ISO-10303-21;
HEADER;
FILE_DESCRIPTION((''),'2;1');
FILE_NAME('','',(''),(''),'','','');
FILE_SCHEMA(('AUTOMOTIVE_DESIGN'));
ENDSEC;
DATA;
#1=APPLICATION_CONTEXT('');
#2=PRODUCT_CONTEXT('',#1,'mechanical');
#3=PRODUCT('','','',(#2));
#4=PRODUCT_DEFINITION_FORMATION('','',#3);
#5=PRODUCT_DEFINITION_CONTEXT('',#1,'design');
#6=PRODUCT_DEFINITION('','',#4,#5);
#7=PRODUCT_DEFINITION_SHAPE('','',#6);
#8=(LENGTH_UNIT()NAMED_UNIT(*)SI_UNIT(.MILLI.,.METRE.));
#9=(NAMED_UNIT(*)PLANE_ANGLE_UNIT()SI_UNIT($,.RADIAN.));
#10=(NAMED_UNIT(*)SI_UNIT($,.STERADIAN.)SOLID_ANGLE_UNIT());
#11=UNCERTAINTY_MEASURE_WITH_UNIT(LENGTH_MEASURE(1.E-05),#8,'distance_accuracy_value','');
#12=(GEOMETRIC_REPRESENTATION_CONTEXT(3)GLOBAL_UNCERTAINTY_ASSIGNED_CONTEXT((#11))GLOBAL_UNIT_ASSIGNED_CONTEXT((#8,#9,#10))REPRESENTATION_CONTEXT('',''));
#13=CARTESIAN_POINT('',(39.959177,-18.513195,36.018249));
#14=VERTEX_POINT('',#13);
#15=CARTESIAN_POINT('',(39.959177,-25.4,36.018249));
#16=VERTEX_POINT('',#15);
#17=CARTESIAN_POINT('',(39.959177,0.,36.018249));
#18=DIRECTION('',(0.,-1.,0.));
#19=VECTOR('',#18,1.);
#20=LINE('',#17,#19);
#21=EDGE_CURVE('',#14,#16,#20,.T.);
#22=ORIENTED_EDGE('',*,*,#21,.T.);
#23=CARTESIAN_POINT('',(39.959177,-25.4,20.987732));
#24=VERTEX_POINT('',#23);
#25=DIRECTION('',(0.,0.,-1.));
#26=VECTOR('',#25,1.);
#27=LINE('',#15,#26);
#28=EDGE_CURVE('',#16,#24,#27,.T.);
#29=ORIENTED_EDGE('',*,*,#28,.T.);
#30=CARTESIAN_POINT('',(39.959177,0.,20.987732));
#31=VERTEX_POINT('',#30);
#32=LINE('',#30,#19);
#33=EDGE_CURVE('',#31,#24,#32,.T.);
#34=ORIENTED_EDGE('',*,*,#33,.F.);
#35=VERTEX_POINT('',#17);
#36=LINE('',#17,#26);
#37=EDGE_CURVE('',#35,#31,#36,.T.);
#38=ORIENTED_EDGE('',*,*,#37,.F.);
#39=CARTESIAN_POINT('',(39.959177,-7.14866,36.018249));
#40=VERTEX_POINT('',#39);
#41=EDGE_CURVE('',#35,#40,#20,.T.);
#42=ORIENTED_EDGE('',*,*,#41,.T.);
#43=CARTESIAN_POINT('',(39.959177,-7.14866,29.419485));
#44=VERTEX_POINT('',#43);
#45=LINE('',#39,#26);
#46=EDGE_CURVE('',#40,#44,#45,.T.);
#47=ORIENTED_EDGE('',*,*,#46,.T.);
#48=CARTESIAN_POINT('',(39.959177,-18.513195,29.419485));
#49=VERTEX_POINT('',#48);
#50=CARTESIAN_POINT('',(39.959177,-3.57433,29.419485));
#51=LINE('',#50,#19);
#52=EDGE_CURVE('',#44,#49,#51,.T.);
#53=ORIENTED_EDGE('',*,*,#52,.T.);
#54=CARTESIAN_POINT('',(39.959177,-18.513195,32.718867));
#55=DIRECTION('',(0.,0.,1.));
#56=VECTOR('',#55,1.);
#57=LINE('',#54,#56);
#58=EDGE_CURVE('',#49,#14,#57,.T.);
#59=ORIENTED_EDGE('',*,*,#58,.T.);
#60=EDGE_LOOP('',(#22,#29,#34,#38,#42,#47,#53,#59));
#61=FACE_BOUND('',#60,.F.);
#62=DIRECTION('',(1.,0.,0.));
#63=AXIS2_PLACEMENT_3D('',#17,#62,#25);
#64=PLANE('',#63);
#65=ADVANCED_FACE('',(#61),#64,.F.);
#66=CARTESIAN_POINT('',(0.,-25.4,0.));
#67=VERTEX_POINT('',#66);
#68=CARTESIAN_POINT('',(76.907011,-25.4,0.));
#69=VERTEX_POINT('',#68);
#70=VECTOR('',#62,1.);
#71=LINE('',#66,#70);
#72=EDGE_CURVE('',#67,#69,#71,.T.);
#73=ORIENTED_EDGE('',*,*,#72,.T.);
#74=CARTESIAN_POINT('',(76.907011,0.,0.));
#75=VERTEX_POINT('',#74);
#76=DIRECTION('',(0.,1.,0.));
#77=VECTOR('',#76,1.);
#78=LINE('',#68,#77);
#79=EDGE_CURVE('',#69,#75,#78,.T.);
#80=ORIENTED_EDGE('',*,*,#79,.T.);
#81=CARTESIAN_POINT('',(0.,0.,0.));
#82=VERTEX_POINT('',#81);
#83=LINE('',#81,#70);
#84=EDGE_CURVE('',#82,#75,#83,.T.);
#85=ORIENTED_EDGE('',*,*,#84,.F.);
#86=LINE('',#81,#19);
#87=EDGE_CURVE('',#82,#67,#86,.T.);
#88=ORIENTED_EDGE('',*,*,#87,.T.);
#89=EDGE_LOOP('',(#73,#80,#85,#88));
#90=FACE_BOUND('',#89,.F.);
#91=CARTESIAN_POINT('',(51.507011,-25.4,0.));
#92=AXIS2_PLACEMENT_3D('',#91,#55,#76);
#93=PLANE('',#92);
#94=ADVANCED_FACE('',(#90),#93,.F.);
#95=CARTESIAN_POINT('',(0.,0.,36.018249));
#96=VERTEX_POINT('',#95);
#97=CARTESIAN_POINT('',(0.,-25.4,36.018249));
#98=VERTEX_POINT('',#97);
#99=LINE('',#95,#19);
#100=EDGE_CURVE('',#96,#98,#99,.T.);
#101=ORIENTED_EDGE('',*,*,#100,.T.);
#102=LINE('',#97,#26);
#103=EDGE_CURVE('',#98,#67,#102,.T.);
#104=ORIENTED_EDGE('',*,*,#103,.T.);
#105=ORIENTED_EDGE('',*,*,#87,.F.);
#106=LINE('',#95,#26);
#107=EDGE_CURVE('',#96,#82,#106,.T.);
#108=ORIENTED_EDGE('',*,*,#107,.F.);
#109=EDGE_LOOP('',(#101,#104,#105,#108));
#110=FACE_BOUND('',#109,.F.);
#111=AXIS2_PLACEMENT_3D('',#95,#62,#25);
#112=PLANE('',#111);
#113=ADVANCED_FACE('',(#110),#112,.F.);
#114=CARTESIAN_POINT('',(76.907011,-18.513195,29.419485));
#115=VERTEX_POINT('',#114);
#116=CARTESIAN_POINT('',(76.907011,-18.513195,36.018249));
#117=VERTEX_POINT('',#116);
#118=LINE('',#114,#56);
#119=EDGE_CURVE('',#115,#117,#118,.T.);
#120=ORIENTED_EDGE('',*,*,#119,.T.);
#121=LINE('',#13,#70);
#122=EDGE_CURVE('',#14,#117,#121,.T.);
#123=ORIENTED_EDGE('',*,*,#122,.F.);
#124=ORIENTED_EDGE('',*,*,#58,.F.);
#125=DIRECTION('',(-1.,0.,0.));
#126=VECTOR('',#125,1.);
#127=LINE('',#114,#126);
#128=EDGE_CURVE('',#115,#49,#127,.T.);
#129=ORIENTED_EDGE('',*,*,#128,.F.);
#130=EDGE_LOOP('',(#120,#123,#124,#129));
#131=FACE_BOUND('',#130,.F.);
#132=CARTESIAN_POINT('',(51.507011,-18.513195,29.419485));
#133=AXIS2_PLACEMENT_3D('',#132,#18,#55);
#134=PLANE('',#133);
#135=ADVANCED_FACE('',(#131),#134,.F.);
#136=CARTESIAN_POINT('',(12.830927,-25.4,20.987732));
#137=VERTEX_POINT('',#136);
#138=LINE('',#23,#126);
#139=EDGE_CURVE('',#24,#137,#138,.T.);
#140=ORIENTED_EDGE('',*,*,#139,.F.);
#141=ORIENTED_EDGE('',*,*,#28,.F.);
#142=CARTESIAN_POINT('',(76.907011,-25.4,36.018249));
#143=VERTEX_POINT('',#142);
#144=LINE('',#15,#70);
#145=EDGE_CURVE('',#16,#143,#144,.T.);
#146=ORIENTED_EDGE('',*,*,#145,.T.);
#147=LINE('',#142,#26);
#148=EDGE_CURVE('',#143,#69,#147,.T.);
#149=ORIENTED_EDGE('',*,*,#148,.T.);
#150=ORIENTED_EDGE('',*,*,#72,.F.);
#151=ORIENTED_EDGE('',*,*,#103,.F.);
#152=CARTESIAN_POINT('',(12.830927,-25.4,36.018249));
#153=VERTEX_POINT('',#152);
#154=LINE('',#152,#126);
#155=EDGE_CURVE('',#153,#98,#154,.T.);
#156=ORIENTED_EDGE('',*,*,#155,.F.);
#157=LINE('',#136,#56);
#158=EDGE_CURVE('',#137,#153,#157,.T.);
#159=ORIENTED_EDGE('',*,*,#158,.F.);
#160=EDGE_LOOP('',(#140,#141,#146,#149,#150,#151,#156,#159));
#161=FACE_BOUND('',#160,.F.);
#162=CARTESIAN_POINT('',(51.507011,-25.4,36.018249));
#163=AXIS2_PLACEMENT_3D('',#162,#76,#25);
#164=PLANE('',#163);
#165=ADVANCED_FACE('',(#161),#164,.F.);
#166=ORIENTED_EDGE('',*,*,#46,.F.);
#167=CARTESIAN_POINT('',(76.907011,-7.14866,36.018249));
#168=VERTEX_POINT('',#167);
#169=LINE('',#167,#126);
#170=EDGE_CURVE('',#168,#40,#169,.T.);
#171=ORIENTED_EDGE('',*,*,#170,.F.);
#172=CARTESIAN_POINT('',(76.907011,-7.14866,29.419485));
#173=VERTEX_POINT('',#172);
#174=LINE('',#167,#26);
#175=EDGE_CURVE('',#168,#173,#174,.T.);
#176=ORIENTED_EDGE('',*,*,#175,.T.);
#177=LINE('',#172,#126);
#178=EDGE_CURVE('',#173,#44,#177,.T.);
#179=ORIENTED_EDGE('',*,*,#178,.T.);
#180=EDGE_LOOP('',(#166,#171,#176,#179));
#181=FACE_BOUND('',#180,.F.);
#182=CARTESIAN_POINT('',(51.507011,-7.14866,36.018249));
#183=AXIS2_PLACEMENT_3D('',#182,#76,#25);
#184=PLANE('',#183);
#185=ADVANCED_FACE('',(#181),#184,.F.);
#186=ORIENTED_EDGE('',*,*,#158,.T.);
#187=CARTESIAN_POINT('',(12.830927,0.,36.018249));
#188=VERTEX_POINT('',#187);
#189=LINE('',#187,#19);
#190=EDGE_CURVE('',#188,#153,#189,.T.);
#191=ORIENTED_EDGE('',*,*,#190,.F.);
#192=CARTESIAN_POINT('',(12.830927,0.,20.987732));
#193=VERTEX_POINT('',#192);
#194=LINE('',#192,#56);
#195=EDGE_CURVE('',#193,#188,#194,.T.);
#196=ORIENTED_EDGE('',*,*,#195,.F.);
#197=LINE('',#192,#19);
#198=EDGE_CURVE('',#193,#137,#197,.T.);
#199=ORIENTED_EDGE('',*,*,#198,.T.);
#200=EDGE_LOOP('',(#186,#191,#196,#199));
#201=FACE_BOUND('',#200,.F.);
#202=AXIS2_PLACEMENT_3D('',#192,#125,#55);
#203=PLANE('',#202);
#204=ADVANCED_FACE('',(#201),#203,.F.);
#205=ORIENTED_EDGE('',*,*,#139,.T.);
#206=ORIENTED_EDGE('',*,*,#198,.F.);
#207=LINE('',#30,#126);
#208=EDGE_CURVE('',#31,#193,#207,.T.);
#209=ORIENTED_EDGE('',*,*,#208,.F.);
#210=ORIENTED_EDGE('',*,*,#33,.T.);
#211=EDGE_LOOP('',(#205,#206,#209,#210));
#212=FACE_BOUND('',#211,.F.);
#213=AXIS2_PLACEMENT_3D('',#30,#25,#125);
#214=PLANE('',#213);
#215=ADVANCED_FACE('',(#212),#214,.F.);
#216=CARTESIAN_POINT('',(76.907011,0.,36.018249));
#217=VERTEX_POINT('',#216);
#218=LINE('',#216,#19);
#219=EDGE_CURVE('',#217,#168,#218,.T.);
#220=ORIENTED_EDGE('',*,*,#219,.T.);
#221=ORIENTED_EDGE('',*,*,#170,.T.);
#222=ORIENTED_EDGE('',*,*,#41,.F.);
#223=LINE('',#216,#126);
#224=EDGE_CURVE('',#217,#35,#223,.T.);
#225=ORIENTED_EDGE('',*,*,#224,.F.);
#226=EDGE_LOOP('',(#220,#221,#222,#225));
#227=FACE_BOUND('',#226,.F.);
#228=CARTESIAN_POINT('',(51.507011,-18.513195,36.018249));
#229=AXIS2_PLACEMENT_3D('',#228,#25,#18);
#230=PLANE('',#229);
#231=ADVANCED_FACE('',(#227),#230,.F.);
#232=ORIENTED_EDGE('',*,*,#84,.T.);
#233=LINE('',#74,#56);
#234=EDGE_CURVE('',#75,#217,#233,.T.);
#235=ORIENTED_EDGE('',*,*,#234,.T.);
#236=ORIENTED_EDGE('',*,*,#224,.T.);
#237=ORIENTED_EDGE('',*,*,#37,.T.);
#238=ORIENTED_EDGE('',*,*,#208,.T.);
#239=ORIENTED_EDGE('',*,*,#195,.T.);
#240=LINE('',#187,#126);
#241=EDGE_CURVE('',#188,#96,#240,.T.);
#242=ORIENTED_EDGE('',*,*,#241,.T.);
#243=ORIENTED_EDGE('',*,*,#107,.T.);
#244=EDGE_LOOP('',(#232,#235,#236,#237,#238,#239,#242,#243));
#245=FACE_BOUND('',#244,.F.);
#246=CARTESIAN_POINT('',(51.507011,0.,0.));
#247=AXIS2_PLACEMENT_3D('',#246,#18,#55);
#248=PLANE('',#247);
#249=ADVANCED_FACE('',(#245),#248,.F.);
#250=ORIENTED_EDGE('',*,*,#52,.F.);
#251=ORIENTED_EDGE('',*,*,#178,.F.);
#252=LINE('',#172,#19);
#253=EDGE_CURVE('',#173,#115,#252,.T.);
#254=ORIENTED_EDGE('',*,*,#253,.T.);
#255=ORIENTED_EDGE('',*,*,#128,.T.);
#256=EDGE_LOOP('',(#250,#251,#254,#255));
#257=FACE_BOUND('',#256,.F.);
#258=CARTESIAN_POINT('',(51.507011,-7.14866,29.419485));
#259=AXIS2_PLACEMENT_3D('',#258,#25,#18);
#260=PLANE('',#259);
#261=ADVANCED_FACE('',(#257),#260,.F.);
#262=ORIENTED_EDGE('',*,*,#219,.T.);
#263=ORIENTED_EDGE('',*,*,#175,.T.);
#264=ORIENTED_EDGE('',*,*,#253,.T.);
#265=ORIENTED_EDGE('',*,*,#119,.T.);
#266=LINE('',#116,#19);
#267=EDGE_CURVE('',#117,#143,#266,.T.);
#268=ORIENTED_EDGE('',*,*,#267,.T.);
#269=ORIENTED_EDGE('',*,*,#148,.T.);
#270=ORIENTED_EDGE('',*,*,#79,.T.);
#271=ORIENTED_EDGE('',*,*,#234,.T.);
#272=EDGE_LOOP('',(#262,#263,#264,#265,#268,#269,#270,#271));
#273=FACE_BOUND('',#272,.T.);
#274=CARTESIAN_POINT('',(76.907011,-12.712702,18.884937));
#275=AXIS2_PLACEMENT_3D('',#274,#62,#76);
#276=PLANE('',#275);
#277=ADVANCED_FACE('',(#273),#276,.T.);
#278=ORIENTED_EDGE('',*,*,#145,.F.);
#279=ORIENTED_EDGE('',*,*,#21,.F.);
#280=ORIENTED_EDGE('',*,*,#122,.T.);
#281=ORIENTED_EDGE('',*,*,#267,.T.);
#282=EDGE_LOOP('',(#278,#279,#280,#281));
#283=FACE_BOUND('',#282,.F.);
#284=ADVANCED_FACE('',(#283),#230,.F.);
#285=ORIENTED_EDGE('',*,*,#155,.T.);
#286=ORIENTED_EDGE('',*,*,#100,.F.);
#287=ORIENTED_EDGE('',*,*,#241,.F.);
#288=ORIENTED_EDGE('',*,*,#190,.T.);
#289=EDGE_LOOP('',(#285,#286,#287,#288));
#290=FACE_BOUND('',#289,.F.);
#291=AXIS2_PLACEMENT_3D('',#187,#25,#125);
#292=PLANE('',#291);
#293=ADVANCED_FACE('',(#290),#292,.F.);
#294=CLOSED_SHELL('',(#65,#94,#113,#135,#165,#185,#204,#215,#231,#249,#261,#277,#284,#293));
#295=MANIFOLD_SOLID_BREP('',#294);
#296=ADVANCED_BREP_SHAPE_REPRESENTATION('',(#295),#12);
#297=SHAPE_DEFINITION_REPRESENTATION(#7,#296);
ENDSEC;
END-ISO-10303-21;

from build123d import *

# Parameters (mm, degrees)
F1_DEPTH = 25.4
F3_DEPTH = 25.4
F4_DEPTH = 25.4


with BuildPart() as f1:
    # F0 (on Front) → F1 (new body)
    with BuildSketch(Plane.XZ):
        Polygon((12.8309270367, 36.0182486475), (0, 36.0182486475), (0, 0), (51.5070110559, 0), (51.5070110559, 36.0182486475), (39.9591773748, 36.0182486475), (39.9591773748, 20.9877323359), (12.8309270367, 20.9877323359), align=None)
    extrude(amount=F1_DEPTH)

    # F2 (on face) → F3 (join)
    with BuildSketch(Plane.YZ.offset(51.5070110559)):
        Polygon((-18.5131952167, 29.4194854796), (-18.5131952167, 36.0182486475), (-25.4, 36.0182486475), (-25.4, 0), (0, 0), (0, 36.0182486475), (-7.1486602537, 36.0182486475), (-7.1486602537, 29.4194854796), align=None)
    extrude(amount=F3_DEPTH)

    # F4 (cut): a face of the model
    f4_faces = [f1.faces().sort_by_distance(p)[0] for p in [
        (51.5070110559, -12.8309277352, 32.7188670635),
    ]]
    extrude(f4_faces, amount=-F4_DEPTH, mode=Mode.SUBTRACT)


solid = f1.part
